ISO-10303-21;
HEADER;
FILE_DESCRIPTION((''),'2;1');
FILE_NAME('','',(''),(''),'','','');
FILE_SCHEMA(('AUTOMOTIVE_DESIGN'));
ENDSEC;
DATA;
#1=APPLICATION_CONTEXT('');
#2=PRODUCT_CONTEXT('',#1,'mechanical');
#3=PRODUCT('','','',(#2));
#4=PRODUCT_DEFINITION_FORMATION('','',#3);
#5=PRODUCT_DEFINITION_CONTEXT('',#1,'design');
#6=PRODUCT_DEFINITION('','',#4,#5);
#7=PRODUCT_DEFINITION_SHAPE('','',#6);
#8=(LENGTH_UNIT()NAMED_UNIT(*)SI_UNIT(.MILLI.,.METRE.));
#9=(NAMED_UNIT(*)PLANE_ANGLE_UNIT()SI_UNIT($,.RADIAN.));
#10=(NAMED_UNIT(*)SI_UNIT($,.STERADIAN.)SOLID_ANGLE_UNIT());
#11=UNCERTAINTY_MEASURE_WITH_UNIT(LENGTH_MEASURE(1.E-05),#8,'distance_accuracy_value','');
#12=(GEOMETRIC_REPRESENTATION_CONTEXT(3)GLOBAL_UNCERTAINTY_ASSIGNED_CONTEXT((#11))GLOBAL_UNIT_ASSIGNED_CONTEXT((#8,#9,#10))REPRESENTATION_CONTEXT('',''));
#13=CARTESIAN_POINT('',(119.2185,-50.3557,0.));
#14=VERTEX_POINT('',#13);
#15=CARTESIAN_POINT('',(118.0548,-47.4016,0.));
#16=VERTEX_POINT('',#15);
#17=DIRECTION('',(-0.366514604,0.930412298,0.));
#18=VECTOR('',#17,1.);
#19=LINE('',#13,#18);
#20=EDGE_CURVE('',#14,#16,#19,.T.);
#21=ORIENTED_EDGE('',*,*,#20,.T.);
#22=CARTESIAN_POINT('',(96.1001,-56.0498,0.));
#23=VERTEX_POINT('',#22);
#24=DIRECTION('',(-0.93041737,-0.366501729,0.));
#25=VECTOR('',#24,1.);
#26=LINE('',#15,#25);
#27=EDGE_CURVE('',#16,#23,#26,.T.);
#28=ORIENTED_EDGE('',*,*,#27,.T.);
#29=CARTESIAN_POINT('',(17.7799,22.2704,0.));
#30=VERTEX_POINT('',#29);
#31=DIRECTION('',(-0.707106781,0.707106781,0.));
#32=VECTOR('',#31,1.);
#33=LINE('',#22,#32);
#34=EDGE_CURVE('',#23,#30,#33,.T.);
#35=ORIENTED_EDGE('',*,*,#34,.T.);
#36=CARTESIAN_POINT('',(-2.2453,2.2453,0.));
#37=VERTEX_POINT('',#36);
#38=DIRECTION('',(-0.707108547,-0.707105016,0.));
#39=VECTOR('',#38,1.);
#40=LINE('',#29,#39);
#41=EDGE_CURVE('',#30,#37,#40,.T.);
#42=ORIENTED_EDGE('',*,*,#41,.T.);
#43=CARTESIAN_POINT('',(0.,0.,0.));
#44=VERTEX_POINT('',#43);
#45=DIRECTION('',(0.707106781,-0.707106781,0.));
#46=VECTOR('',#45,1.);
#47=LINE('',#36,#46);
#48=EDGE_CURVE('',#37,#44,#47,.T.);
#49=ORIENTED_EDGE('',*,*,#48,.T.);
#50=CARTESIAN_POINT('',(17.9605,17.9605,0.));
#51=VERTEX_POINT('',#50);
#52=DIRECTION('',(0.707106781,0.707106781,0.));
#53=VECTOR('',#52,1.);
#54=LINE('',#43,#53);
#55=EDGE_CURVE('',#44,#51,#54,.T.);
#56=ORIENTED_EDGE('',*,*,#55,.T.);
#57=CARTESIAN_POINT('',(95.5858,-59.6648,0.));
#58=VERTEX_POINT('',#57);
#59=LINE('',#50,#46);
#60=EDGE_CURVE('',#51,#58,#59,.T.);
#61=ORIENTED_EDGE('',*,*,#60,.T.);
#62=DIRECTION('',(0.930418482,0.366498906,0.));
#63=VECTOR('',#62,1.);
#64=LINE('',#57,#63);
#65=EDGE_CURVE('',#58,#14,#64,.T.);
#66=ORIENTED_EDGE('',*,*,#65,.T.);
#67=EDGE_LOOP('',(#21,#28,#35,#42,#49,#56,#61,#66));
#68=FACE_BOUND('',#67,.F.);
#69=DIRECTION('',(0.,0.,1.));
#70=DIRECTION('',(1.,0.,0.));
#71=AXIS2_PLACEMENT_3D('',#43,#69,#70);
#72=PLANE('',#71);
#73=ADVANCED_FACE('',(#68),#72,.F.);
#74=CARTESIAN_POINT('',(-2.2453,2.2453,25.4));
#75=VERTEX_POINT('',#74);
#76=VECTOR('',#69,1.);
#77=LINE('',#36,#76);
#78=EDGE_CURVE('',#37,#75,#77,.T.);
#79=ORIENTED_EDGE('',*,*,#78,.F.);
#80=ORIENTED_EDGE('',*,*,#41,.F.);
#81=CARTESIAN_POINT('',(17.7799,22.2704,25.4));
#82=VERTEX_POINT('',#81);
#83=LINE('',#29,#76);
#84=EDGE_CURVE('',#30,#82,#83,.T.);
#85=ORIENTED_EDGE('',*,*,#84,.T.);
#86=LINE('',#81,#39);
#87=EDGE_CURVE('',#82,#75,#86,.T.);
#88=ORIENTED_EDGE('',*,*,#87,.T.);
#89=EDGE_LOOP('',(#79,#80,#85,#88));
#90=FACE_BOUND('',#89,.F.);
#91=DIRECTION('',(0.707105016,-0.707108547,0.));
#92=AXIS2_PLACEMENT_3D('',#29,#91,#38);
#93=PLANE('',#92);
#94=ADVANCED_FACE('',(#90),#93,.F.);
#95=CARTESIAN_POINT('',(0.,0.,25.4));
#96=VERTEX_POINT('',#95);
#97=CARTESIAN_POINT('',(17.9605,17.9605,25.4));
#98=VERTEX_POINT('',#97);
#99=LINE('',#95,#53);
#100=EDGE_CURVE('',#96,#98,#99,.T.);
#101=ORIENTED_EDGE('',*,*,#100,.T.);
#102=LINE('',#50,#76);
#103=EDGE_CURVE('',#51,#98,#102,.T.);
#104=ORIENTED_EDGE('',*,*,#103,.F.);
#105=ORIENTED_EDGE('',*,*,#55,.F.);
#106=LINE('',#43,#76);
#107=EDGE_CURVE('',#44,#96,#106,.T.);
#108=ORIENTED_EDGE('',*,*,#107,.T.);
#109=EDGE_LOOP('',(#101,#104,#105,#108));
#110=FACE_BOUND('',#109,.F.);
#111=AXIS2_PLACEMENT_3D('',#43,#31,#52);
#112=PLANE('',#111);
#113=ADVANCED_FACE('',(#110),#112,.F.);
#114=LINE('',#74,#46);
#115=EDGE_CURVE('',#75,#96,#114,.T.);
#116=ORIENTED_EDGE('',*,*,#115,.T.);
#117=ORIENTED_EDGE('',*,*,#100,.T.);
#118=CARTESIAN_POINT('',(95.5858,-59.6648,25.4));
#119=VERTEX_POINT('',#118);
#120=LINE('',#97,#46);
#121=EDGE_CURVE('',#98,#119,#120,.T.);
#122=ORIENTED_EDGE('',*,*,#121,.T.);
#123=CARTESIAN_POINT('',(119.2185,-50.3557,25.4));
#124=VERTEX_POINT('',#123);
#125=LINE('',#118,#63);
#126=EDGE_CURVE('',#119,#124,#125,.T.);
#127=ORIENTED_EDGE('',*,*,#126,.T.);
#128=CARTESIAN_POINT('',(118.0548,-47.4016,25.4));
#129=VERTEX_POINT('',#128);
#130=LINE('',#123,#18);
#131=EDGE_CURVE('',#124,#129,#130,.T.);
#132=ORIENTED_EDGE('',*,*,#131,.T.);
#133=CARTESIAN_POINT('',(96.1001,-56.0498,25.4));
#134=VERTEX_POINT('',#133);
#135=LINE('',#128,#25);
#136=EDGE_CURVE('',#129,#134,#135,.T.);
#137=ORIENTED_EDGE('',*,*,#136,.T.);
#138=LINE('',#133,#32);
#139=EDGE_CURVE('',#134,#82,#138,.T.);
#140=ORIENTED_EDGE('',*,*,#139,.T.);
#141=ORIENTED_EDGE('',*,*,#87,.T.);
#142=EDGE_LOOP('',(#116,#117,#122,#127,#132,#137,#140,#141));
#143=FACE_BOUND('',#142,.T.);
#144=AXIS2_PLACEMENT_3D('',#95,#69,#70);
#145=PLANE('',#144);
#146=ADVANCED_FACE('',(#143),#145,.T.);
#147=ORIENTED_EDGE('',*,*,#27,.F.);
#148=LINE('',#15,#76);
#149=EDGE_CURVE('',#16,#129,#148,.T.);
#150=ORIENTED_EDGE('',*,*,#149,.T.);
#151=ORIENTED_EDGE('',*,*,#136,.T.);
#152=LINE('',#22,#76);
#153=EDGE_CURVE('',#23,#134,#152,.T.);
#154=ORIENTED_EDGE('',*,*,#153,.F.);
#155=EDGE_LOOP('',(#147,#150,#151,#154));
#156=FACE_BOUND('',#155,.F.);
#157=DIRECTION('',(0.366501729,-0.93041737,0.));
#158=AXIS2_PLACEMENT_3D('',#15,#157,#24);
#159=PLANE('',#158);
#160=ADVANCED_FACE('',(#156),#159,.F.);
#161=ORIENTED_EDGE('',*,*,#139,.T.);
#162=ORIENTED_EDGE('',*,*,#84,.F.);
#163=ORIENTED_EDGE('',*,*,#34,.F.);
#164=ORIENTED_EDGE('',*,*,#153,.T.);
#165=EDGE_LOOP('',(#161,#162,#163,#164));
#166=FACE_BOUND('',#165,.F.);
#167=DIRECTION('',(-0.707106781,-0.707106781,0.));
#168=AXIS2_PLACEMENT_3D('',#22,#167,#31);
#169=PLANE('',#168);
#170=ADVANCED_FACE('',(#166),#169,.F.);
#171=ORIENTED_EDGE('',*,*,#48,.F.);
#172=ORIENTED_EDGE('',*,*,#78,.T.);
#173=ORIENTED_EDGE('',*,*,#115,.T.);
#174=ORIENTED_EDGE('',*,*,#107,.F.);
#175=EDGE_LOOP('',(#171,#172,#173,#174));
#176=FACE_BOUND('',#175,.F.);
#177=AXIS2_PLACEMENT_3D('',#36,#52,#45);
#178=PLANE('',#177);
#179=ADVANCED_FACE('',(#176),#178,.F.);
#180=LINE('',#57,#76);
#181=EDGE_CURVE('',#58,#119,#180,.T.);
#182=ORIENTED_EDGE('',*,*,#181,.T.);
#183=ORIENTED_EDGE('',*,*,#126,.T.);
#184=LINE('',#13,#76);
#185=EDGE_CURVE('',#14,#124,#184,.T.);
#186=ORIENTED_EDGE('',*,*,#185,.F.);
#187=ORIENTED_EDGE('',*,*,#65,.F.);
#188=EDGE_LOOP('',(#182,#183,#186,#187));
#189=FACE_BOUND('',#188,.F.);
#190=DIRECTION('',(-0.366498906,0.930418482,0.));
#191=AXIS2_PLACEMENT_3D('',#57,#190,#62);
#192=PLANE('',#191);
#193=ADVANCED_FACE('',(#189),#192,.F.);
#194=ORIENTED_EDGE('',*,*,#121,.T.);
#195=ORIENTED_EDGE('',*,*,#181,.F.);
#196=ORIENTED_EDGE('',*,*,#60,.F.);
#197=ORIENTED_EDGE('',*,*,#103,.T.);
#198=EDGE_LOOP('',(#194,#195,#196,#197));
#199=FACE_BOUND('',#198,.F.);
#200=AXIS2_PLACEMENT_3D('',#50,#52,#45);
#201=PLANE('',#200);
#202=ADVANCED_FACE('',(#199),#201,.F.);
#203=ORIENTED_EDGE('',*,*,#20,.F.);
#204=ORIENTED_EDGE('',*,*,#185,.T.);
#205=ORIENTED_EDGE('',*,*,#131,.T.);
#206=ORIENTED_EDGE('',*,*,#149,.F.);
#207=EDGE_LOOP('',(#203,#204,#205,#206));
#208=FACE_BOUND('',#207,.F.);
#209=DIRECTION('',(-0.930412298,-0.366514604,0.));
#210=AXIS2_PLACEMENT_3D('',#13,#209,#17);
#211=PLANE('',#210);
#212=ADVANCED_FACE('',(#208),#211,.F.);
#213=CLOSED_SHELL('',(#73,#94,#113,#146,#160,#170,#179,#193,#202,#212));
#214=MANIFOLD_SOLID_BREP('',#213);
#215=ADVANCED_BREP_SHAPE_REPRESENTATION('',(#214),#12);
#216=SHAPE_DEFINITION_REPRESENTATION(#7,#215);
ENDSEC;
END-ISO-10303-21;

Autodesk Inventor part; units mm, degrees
ref_plane "YZ Plane" through (0, 0, 0) normal (1, 0, 0) x (0, 1, 0)
ref_plane "XZ Plane" through (0, 0, 0) normal (0, 1, 0) x (-1, 0, 0)
ref_plane "XY Plane" through (0, 0, 0) normal (0, 0, 1) x (1, 0, 0)
sketch "Sketch1" plane through (0, 0, 0) normal (0, 0, 1) x (1, 0, 0)
  line L0 (0, 0) -> (17.9605, 17.9605)
  line L1 (0, 0) -> (25.4, 0) construction
  line L2 (17.7799, 22.2704) -> (-2.2453, 2.2453)
  line L3 (-2.2453, 2.2453) -> (0, 0)
  line L4 (17.9605, 17.9605) -> (95.5858, -59.6648)
  line L5 (17.9605, 17.9605) -> (127.7393, 17.9605) construction
  line L6 (95.5858, -59.6648) -> (119.2185, -50.3557)
  line L7 (95.5858, -59.6648) -> (120.9858, -59.6648) construction
  line L8 (119.2185, -50.3557) -> (118.0548, -47.4016)
  line L9 (118.0548, -47.4016) -> (96.1001, -56.0498)
  line L10 (96.1001, -56.0498) -> (17.7799, 22.2704)
  dimension "d14" = 25.4
  dimension "d15" = 45
  dimension "d24" = 109.7788
  dimension "d25" = 45
  dimension "d26" = 25.4
  dimension "d27" = 21.5
  dimension "d28" = 3.175
  dimension "d29" = 23.5966
extrude "Extrusion2" add sketch "Sketch1" along normal blind 25.4
properties part number "LoadSlideBracket"
